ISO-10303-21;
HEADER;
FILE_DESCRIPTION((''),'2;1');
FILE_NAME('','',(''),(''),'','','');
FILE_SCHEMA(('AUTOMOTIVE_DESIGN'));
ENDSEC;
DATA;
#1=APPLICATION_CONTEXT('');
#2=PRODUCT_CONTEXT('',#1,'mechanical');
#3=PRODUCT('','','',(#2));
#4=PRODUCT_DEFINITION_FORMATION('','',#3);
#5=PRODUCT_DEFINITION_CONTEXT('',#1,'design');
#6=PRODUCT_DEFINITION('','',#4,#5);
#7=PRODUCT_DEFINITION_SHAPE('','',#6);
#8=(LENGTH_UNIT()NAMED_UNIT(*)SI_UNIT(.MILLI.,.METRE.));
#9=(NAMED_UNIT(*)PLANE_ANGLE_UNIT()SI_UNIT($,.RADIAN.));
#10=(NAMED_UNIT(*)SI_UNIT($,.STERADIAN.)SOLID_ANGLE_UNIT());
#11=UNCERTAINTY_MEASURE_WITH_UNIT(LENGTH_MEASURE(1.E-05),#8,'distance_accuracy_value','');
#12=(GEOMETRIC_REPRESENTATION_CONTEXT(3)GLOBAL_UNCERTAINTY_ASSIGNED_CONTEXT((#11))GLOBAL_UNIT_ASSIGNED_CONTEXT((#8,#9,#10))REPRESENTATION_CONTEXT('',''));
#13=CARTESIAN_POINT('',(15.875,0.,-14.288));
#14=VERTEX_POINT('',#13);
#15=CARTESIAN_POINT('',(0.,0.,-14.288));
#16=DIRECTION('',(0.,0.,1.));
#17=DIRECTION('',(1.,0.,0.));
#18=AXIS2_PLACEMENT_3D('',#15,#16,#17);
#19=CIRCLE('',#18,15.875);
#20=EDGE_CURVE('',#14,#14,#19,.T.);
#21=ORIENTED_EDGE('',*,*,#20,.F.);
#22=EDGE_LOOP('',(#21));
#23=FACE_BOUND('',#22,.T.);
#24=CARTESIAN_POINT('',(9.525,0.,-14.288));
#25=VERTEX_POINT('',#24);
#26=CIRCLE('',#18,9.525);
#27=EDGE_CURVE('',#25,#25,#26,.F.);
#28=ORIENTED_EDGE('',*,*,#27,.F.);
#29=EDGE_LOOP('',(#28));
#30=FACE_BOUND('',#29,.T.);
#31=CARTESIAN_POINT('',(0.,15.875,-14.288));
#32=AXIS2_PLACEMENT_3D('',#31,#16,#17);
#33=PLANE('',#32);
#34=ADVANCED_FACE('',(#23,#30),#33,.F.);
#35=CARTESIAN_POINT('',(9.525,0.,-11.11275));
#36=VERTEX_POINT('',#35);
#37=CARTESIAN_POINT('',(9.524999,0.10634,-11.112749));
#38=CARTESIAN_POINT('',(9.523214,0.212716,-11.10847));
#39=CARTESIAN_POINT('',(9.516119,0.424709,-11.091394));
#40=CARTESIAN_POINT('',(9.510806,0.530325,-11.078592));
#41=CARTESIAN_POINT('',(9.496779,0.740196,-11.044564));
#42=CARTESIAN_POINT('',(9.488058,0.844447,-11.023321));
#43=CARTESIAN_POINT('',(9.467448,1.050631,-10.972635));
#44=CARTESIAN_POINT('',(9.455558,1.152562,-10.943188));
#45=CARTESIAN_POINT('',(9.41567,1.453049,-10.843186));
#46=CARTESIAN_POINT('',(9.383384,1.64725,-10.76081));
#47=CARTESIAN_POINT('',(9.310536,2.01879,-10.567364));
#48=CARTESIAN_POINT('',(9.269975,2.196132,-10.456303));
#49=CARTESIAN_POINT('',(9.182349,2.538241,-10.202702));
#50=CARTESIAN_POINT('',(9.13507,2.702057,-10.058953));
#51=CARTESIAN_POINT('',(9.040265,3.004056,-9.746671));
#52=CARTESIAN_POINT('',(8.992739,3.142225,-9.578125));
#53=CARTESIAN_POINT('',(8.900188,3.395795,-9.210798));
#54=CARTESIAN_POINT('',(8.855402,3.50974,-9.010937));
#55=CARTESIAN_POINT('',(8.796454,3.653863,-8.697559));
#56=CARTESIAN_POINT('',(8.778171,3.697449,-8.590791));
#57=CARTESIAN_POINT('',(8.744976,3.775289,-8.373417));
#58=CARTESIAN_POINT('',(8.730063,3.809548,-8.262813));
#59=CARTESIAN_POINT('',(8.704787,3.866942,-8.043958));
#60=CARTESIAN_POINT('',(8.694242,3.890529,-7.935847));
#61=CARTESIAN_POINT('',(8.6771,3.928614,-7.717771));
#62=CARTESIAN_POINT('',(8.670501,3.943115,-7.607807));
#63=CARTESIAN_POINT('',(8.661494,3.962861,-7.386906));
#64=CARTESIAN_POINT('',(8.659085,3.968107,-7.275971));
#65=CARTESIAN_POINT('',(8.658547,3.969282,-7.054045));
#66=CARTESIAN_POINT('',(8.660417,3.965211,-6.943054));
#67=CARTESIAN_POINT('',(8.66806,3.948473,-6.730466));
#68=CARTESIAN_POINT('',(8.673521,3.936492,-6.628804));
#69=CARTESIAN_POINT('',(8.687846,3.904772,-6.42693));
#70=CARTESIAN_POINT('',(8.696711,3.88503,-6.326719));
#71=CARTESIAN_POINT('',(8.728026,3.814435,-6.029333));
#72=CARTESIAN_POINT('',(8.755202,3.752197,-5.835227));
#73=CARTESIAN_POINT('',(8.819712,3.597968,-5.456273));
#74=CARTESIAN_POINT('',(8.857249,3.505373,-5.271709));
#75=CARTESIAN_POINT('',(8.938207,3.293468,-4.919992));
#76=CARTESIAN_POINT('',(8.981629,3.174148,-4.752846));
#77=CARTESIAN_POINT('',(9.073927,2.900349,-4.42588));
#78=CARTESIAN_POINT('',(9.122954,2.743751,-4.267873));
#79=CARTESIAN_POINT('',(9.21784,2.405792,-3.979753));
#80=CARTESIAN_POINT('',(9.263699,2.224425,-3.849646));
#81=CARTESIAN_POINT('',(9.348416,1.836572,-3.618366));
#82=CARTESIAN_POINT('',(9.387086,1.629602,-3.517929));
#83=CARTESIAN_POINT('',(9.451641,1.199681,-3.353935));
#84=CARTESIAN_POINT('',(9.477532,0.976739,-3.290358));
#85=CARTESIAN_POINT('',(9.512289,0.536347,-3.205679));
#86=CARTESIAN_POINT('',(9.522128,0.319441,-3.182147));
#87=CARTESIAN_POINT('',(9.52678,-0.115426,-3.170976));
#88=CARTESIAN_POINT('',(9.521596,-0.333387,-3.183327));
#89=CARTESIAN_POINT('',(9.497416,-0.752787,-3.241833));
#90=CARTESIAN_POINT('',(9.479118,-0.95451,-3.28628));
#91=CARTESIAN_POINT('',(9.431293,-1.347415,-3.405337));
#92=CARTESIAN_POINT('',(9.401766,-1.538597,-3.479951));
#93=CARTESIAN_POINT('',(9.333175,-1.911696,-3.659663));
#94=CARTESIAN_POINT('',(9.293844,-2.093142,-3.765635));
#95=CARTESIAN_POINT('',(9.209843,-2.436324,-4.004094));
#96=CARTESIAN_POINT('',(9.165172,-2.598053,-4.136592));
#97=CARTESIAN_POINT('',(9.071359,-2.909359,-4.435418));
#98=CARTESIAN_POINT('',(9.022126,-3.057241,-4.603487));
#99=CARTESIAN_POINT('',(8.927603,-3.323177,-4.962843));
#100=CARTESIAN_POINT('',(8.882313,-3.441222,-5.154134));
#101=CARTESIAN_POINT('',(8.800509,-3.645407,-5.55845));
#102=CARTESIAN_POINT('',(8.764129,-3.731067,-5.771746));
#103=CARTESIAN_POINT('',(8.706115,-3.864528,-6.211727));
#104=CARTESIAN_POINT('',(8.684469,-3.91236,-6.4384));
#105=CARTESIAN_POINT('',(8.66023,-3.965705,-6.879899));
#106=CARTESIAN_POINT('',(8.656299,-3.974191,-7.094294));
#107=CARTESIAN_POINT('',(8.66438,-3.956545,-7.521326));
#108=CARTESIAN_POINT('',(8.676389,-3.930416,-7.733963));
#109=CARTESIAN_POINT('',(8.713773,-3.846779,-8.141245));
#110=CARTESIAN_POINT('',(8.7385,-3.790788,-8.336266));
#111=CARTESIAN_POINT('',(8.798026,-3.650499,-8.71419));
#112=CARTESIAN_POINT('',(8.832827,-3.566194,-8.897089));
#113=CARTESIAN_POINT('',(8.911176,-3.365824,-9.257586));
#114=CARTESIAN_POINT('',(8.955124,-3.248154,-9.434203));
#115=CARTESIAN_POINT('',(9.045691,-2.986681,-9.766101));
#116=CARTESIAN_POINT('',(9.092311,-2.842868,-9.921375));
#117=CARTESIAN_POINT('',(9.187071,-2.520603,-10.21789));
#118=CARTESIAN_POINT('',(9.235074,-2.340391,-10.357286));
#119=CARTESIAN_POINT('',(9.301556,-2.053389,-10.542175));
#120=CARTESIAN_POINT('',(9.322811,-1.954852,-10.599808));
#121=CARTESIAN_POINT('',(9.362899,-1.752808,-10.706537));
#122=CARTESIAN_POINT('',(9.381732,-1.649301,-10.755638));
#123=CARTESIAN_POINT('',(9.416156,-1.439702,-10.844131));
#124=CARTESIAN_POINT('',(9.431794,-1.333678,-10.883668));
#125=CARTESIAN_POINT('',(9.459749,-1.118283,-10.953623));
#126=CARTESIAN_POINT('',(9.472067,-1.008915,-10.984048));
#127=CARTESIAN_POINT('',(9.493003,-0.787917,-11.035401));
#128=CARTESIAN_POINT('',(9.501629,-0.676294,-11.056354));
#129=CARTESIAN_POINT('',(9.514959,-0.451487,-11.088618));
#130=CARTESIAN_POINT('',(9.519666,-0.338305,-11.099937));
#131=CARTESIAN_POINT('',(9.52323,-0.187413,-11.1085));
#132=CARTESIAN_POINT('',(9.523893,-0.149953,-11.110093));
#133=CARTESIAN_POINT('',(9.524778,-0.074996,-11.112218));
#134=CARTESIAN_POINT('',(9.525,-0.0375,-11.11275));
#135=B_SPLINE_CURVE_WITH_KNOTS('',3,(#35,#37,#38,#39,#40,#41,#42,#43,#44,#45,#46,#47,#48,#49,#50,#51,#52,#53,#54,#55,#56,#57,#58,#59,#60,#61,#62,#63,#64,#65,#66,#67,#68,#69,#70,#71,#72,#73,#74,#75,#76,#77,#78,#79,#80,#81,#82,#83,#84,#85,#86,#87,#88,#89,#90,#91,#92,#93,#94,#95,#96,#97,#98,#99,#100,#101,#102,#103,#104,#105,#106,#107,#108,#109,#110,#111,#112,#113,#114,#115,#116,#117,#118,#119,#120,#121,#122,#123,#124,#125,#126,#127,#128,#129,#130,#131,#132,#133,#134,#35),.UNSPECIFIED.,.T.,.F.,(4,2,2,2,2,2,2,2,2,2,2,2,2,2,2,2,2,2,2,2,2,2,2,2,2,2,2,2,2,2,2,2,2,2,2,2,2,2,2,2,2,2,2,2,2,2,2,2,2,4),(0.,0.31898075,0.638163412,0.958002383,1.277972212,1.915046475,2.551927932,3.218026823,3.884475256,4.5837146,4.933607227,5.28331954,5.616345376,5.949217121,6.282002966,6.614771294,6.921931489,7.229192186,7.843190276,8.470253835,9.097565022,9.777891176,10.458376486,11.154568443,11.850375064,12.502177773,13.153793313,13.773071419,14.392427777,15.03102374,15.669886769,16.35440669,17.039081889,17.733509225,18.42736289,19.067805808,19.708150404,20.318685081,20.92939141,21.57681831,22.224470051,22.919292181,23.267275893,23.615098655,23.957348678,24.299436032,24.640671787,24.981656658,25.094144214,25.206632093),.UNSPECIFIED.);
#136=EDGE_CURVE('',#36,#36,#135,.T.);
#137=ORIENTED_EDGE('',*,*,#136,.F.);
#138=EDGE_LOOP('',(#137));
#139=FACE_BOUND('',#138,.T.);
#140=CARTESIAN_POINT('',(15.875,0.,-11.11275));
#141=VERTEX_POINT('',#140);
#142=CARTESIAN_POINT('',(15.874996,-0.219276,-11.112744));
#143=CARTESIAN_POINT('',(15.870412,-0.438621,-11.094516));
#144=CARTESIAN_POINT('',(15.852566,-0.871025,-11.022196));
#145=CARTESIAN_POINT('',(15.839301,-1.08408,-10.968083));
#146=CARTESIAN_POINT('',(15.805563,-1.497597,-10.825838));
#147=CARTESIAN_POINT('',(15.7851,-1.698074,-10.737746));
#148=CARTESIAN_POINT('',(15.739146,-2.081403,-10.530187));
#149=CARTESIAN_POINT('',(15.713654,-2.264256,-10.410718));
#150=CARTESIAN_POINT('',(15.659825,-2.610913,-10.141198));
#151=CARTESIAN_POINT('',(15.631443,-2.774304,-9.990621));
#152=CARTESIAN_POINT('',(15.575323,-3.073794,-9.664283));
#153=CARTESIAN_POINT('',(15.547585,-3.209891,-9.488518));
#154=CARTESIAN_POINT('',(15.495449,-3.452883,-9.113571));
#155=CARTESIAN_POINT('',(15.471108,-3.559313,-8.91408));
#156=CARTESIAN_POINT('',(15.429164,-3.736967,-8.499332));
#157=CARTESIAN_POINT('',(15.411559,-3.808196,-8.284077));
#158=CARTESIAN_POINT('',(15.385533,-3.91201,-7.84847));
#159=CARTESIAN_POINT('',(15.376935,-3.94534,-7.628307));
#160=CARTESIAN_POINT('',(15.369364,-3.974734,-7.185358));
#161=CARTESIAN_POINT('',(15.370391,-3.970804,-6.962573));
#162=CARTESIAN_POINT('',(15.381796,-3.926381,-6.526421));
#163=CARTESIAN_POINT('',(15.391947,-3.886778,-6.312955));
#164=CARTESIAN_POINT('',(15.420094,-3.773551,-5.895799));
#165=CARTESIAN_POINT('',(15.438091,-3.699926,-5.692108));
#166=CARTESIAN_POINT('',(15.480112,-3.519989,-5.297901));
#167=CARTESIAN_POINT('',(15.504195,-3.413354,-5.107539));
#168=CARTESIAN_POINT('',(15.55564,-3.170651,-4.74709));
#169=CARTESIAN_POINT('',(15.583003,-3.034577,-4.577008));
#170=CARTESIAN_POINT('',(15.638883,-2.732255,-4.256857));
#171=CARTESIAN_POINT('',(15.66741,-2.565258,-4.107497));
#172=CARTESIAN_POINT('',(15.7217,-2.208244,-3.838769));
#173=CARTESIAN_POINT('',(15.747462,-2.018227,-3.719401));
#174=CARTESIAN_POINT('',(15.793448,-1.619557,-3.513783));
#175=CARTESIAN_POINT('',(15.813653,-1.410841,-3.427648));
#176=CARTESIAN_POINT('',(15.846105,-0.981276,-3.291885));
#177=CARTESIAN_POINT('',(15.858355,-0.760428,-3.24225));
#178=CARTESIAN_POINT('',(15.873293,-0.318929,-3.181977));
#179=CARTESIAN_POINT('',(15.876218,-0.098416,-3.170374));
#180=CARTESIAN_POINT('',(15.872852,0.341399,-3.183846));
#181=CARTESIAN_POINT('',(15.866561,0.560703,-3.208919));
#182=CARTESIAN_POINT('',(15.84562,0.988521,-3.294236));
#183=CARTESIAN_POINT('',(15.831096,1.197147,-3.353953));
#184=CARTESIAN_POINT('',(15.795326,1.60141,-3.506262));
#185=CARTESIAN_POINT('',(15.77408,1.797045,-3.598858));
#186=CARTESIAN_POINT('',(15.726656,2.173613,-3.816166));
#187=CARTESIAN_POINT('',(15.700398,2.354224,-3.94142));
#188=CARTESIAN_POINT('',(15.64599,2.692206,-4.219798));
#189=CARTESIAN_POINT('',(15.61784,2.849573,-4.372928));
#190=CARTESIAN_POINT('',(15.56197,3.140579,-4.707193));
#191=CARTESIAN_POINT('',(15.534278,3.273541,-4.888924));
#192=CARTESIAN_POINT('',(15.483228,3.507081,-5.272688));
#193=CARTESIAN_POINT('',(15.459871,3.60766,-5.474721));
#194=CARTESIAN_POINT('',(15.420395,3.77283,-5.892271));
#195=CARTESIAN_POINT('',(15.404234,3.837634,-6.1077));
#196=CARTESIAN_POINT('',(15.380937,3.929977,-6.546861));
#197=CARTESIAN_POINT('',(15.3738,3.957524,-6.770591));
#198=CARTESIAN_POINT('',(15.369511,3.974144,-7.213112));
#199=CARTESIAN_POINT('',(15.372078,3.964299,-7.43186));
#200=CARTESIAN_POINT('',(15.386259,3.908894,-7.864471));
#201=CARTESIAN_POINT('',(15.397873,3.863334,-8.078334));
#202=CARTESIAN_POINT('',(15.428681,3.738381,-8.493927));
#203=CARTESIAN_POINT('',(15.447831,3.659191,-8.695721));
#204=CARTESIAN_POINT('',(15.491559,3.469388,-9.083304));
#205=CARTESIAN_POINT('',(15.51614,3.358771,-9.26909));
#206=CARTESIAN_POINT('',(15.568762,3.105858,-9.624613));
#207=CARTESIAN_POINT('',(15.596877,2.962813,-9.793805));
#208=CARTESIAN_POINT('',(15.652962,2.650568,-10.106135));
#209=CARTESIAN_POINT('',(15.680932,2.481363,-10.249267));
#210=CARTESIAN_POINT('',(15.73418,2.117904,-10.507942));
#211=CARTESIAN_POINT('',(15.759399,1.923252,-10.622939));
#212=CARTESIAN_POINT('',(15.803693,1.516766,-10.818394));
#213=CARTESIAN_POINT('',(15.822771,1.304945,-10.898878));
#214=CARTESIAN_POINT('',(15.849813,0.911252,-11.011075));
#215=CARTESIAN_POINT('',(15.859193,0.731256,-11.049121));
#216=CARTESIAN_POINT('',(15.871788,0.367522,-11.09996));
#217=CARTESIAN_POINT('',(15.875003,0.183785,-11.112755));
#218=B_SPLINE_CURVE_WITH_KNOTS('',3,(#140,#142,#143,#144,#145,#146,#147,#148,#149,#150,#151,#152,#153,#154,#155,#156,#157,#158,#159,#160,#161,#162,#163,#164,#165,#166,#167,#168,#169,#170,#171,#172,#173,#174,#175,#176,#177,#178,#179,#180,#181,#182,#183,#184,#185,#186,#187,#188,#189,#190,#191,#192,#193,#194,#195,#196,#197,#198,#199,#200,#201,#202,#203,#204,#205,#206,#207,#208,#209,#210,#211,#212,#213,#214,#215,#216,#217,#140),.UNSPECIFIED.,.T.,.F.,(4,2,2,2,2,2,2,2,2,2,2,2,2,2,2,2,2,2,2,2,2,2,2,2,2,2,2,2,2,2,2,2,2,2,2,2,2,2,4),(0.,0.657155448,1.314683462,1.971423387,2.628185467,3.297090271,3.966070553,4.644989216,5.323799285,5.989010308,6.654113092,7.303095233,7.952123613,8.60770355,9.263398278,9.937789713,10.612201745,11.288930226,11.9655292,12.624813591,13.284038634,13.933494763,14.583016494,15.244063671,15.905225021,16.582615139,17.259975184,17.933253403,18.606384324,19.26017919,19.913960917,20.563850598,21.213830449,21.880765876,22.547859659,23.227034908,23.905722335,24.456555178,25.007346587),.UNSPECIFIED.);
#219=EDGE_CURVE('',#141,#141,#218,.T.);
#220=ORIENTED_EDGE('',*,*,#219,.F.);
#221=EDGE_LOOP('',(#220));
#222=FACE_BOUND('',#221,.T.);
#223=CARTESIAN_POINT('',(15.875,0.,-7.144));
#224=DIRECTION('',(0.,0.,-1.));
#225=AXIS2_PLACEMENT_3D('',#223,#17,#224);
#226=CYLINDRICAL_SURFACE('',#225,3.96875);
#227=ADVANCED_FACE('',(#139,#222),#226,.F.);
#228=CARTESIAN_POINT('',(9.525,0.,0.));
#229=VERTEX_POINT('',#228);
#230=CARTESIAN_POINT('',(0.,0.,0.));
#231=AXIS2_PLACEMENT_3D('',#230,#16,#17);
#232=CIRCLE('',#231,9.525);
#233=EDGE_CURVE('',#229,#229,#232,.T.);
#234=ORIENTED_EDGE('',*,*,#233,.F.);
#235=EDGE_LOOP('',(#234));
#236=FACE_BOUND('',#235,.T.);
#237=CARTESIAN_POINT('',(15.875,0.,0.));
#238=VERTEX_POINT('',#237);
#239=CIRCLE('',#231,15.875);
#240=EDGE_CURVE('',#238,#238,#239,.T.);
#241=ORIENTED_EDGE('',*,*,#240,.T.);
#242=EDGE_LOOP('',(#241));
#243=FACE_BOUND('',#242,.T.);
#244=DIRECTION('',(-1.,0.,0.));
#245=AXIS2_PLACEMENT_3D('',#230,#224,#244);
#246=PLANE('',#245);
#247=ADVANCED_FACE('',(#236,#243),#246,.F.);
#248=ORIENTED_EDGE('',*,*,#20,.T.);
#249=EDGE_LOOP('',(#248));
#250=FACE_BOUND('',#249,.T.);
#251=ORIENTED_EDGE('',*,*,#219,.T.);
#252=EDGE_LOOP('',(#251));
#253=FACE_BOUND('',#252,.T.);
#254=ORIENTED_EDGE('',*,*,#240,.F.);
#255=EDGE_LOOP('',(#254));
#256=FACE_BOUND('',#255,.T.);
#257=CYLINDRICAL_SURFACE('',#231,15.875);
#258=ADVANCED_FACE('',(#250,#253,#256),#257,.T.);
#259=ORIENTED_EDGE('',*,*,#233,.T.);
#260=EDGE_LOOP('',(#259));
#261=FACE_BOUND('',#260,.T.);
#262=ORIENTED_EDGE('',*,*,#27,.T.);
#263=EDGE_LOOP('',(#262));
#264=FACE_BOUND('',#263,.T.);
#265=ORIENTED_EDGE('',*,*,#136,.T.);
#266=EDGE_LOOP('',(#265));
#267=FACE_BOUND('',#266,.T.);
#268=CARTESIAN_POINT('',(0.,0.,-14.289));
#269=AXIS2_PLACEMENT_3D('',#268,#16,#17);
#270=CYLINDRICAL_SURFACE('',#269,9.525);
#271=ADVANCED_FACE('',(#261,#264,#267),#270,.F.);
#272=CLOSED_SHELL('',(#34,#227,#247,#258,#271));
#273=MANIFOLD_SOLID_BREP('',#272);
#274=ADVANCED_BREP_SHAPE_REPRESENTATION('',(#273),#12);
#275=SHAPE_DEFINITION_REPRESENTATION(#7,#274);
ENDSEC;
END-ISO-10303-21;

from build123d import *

# Parameters (mm, degrees)
CROQUIS1_W            = 14.288
CROQUIS1_H            = 15.875
CORTAR_EXTRUIR1_REACH = 28.612
CROQUIS2_R            = 9.525
CROQUIS3_W            = 3.96875
CROQUIS3_H            = 15.875


with BuildPart() as part:
    # Croquis1 → Revolución1 (revolve)
    with BuildSketch(Plane(origin=(0, 0, 0), x_dir=(0, 0, -1), z_dir=(1, 0, 0)), mode=Mode.PRIVATE) as revoluci_n1_sk:
        with Locations((7.144, 7.9375)):
            Rectangle(CROQUIS1_W, CROQUIS1_H)
    revolve(revoluci_n1_sk.sketch.rotate(Axis((0, 0, 0), (0, 0, -1)), 90), axis=Axis((0, 0, 0), (0, 0, -1)))

    # Croquis2 → Cortar-Extruir1 (cut, up to next)
    with BuildSketch(Plane.XY, mode=Mode.PRIVATE) as cortar_extruir1_sk1:
        Circle(CROQUIS2_R)
    cortar_extruir1_tool1 = extrude(cortar_extruir1_sk1.sketch, amount=-CORTAR_EXTRUIR1_REACH, mode=Mode.PRIVATE) & part.part
    add(cortar_extruir1_tool1.solids().sort_by_distance((0, 0, 0))[0], mode=Mode.SUBTRACT)

    # Croquis3 → Taladro roscado 1/8-27 NPSM1 (revolve, cut)
    with BuildSketch(Plane(origin=(15.875, 0, -7.144), x_dir=(0, 0, -1), z_dir=(0, 1, 0))):
        with Locations((1.984375, 7.9375)):
            Rectangle(CROQUIS3_W, CROQUIS3_H)
    revolve(axis=Axis((22.225, 0, -7.144), (-1, 0, 0)), mode=Mode.SUBTRACT)


solid = part.part
